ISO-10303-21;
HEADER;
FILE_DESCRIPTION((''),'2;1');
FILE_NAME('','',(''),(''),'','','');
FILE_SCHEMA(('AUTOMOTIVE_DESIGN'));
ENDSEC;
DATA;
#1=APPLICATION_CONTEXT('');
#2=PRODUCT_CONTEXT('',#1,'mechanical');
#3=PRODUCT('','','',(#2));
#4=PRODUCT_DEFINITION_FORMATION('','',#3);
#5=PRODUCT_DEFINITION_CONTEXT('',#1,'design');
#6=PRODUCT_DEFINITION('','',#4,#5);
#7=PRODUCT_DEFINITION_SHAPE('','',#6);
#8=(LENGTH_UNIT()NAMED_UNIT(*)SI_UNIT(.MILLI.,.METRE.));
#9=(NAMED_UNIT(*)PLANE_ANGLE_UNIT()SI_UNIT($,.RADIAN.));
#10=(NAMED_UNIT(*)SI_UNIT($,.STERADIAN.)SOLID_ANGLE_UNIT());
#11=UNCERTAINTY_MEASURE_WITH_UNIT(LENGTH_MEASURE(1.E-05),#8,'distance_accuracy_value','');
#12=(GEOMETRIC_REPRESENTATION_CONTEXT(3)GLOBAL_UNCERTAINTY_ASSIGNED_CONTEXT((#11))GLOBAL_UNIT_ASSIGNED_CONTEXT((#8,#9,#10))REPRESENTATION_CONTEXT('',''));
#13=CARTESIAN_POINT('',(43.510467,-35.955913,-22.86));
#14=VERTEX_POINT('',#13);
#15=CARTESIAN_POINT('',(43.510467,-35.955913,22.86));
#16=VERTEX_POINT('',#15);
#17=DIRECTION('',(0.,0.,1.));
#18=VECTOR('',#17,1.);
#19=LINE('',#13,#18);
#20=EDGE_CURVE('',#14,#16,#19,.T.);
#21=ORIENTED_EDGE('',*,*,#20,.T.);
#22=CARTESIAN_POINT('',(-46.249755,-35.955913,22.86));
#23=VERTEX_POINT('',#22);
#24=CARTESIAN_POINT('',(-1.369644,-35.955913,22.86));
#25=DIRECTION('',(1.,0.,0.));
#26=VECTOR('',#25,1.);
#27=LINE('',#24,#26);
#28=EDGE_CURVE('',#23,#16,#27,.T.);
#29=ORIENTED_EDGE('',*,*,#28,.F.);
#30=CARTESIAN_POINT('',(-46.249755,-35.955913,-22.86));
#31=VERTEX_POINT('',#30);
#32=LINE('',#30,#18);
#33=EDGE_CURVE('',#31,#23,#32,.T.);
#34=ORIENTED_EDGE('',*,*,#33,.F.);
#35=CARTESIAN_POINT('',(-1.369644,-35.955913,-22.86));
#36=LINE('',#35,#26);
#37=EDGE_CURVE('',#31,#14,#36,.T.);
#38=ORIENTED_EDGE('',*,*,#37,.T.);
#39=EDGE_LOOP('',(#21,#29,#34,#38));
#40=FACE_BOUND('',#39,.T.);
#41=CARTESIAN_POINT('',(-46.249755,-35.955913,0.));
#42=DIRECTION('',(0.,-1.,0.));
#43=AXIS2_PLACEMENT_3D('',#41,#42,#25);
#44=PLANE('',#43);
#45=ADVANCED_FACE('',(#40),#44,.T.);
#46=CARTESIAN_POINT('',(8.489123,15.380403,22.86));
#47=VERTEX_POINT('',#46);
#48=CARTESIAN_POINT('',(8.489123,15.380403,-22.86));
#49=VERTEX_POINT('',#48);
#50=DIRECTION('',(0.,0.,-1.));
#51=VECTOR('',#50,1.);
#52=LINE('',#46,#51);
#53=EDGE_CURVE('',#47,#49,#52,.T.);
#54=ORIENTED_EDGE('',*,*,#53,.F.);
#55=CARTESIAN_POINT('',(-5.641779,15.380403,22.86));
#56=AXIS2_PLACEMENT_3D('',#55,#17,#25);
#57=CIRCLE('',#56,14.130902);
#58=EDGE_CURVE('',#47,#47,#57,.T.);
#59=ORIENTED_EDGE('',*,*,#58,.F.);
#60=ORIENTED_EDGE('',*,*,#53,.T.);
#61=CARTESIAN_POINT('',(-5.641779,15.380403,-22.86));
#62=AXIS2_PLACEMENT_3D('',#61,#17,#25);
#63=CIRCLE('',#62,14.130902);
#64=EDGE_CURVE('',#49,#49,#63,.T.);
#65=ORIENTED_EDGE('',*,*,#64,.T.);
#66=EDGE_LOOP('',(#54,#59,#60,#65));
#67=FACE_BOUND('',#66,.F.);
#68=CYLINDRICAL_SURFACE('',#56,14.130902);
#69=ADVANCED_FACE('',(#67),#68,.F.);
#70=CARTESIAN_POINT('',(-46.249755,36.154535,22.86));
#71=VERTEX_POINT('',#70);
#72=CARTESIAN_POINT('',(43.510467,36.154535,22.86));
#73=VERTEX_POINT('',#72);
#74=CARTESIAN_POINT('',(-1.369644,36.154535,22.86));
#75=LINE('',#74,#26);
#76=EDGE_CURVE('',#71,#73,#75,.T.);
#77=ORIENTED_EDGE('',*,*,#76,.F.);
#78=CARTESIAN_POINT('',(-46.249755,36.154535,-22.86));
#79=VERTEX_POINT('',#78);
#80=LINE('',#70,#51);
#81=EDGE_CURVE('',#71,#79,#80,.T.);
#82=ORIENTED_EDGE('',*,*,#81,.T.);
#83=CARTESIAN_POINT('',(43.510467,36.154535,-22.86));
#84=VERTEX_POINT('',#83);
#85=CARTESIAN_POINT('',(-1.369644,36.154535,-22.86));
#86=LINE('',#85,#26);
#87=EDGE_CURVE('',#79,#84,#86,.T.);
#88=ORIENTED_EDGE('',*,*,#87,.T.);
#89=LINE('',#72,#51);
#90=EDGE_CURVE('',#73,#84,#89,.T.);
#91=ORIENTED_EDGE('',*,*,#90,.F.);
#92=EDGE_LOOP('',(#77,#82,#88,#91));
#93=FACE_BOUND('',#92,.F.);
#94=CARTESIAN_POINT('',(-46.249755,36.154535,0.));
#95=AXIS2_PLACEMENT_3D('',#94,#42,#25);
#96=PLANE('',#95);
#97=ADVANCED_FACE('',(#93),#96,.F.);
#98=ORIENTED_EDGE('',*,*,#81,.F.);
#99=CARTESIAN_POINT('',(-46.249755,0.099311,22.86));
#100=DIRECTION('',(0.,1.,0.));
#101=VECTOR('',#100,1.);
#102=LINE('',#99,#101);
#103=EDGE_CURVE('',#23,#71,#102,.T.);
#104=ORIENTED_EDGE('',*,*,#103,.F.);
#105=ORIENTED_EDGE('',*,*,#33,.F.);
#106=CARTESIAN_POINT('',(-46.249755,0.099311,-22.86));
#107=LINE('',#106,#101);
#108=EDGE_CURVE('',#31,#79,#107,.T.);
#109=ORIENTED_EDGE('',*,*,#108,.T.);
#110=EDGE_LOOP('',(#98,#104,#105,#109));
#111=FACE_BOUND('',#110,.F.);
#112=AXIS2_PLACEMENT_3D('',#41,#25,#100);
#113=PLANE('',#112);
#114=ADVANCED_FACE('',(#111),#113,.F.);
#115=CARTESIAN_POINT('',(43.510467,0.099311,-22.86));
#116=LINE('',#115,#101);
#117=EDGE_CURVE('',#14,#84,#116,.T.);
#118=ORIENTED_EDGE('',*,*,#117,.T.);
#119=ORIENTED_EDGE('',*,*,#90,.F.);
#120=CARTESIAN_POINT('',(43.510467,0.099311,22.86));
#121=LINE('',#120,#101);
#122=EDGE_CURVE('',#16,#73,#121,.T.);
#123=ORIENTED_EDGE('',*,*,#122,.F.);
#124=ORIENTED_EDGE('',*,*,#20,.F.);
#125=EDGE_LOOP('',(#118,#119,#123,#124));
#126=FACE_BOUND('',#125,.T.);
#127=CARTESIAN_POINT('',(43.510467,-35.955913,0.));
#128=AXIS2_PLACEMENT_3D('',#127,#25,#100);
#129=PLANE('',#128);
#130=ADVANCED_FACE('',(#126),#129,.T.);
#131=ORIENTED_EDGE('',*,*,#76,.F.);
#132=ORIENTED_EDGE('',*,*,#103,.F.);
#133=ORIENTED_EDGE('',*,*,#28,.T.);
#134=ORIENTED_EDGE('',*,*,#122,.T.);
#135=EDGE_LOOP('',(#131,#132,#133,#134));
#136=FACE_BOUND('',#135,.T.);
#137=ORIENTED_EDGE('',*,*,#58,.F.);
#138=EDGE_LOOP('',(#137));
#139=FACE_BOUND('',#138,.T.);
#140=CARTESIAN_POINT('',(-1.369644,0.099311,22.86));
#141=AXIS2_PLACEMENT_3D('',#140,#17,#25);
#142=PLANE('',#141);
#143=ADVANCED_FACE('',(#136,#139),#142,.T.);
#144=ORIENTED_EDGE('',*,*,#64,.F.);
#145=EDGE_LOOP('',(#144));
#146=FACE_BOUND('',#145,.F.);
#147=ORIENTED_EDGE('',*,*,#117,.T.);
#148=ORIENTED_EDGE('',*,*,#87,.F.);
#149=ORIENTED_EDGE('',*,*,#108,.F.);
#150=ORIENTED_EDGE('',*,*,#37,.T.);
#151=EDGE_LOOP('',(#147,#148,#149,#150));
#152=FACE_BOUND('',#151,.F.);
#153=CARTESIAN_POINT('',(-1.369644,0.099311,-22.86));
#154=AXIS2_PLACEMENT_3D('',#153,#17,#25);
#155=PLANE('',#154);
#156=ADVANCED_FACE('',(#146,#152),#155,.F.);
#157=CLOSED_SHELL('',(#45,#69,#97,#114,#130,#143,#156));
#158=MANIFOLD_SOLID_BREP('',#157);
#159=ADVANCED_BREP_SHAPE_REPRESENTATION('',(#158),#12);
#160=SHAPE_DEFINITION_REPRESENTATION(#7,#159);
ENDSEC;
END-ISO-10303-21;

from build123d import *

# Parameters (mm, degrees)
F0_W     = 89.760222
F0_H     = 72.110448
F1_DEPTH = 22.86
F2_R     = 14.130902
F3_DEPTH = 45.72


with BuildPart() as f1:
    # F0 (on Top) → F1 (new body, symmetric)
    with BuildSketch(Plane.XY):
        with Locations((-1.369644, 0.099311)):
            Rectangle(F0_W, F0_H)
    extrude(amount=F1_DEPTH, both=True)

    # F2 (on face) → F3 (cut, through all)
    with BuildSketch(Plane.XY.offset(22.86)):
        with Locations((-5.641779, 15.380403)):
            Circle(F2_R)
    extrude(amount=-F3_DEPTH, mode=Mode.SUBTRACT)


solid = f1.part
